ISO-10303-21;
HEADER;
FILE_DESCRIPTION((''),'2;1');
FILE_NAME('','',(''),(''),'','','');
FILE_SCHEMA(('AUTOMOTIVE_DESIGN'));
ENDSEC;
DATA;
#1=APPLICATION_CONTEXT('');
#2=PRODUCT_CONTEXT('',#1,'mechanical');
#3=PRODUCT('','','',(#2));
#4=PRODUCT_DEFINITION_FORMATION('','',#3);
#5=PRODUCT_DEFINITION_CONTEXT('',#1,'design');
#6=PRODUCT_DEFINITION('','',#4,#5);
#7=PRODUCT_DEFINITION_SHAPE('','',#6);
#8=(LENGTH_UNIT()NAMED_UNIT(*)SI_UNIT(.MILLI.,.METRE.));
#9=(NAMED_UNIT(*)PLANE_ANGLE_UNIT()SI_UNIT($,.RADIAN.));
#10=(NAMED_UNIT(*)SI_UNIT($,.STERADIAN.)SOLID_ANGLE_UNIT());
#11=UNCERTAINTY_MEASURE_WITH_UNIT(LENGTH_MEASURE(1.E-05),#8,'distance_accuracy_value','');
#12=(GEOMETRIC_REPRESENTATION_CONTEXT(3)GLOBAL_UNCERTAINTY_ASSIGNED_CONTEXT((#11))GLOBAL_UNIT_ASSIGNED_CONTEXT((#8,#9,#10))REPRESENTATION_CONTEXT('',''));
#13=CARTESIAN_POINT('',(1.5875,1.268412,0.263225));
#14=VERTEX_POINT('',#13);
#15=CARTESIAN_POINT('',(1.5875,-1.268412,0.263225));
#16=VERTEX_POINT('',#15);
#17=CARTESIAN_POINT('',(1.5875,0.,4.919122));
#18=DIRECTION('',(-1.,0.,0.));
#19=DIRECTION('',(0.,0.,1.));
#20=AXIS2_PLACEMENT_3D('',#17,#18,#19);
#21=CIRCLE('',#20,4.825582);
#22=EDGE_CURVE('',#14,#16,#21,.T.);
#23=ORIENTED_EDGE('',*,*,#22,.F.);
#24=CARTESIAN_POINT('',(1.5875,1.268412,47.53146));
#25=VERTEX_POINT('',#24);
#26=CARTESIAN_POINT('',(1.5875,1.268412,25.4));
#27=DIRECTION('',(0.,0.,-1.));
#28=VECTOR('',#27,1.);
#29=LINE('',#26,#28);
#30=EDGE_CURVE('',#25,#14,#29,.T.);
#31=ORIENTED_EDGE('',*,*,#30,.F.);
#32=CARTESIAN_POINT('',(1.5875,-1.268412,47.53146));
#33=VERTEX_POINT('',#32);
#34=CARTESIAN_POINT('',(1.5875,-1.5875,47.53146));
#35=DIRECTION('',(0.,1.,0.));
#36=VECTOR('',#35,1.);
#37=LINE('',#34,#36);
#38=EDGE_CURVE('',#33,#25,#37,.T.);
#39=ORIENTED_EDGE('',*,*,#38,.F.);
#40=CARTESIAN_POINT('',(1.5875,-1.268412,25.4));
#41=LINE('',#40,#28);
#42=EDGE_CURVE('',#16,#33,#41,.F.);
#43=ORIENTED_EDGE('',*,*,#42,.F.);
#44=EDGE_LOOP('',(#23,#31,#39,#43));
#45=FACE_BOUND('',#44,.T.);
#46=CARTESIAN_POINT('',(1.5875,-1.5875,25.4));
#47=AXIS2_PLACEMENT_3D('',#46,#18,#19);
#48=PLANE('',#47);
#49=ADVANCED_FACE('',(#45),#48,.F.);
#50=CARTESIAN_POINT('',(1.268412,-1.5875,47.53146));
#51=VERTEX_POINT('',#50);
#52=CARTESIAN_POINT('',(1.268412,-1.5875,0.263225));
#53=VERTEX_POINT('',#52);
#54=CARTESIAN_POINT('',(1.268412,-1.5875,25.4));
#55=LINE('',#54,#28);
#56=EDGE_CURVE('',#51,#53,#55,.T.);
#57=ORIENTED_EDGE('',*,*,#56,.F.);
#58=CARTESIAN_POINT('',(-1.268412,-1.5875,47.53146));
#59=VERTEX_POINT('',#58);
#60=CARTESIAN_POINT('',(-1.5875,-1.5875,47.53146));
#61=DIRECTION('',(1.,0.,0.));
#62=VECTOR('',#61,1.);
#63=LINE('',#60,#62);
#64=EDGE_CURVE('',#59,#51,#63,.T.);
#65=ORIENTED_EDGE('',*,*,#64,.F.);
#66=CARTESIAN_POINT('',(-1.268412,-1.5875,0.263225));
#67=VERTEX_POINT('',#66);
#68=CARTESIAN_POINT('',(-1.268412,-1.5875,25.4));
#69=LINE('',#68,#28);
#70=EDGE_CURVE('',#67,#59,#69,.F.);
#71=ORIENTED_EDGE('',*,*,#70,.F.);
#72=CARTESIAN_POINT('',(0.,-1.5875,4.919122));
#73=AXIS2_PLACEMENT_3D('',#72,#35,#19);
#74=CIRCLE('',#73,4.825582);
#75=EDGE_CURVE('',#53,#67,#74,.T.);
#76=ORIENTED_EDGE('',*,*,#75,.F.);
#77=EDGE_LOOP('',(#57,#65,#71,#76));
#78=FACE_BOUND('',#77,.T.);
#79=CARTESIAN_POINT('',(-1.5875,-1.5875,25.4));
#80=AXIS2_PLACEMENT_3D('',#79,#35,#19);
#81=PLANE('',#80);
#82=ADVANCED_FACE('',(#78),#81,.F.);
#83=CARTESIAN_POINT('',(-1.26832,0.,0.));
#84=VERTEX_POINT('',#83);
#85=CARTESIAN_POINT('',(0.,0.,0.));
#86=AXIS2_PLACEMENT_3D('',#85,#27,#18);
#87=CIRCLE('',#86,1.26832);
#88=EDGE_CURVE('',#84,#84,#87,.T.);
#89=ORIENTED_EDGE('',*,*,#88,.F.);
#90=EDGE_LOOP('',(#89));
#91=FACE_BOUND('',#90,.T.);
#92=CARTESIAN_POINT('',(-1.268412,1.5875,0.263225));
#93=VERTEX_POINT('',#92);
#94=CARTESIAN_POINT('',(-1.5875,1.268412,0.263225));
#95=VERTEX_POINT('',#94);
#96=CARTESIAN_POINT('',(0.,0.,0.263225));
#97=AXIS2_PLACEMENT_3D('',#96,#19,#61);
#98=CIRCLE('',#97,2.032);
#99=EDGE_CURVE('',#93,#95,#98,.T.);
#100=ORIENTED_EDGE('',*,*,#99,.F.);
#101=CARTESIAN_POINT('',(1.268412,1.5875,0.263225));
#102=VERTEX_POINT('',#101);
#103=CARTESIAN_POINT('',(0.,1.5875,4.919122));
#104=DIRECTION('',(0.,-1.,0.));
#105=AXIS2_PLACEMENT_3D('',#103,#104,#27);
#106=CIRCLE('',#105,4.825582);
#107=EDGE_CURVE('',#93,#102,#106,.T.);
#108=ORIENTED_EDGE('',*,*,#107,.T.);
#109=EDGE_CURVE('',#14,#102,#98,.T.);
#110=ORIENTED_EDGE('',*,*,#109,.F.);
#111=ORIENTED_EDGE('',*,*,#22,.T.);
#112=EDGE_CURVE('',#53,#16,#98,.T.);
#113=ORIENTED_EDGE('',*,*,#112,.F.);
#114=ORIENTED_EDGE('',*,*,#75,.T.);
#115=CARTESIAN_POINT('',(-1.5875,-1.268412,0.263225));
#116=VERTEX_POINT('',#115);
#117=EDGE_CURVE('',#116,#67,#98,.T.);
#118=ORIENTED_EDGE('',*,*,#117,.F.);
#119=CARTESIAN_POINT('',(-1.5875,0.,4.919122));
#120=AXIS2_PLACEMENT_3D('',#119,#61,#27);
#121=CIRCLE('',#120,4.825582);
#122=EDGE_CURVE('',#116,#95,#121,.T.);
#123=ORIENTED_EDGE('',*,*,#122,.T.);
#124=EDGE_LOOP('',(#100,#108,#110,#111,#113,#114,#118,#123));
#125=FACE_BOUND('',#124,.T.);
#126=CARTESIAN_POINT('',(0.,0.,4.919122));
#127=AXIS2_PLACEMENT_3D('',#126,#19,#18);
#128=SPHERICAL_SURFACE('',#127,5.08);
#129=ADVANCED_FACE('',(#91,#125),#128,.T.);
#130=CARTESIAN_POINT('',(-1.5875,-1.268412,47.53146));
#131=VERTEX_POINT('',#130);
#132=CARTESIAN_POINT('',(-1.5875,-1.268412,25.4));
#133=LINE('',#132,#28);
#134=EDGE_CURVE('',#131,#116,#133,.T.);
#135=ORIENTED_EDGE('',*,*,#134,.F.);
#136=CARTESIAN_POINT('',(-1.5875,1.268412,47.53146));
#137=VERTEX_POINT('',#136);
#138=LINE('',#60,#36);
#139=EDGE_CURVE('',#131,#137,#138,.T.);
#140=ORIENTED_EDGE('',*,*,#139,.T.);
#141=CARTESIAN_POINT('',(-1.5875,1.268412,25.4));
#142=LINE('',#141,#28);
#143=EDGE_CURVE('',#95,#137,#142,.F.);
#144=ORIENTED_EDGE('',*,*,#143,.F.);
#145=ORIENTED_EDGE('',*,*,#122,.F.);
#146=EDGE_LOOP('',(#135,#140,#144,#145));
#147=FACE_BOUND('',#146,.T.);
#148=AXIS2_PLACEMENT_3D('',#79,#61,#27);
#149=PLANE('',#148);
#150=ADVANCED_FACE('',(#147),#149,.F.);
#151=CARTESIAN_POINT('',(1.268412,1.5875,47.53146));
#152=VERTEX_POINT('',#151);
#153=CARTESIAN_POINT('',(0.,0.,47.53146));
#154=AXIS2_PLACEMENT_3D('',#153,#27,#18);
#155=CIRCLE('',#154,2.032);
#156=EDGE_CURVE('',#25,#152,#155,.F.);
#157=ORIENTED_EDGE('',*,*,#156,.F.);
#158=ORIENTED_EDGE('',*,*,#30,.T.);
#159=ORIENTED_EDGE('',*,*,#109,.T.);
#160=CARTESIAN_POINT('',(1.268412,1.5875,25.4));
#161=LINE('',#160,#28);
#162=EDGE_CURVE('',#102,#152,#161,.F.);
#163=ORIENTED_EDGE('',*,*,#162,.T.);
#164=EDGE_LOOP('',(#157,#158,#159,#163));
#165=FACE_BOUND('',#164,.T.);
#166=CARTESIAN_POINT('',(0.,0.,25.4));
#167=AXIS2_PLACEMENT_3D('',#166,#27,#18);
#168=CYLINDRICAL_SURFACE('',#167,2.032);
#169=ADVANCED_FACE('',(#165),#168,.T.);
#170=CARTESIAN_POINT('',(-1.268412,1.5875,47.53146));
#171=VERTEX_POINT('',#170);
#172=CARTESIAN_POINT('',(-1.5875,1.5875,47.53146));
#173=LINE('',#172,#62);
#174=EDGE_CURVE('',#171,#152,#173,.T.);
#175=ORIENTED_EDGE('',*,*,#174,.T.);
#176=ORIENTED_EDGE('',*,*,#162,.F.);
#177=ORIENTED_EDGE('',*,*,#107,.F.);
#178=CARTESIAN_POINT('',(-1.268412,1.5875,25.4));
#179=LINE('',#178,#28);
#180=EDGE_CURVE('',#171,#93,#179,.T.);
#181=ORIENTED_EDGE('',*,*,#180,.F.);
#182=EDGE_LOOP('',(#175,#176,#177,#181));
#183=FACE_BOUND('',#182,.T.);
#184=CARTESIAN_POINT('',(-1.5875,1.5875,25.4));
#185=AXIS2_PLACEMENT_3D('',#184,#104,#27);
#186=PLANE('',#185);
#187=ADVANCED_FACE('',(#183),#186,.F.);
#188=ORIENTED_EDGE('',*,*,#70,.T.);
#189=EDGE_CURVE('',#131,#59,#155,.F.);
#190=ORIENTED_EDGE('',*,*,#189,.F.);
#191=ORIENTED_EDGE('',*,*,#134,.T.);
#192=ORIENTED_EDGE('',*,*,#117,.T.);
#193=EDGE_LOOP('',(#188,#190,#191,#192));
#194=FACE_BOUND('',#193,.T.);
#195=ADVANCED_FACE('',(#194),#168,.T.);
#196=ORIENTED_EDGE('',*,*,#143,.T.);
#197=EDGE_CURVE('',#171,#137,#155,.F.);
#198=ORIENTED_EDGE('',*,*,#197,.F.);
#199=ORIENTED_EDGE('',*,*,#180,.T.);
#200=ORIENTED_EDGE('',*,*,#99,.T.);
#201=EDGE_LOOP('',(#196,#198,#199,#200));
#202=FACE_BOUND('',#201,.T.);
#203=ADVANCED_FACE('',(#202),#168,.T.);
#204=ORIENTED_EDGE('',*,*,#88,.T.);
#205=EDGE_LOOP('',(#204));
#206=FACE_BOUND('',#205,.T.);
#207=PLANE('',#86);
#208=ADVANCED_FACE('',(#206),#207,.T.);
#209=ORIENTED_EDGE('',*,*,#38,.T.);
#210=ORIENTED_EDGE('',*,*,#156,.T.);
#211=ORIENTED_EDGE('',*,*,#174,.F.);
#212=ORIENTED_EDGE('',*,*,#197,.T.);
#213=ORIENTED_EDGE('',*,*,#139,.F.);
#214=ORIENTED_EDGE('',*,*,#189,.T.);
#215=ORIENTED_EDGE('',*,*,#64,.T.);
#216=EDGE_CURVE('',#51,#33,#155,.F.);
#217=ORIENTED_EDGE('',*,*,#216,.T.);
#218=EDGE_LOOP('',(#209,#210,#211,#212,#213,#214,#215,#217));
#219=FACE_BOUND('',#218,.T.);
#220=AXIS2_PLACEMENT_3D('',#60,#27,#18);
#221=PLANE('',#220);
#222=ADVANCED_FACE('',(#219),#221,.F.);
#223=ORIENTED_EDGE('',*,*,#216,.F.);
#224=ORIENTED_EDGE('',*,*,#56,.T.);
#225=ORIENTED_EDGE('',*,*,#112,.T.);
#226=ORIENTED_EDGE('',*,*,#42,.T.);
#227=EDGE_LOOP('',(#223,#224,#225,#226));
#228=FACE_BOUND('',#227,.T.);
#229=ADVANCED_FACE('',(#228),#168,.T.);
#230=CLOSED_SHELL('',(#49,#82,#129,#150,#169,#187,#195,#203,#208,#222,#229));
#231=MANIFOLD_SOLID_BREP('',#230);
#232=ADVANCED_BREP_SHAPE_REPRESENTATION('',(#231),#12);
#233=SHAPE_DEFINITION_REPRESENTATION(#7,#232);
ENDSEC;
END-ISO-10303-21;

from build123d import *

# Parameters (mm, degrees)
SKETCH1_W           = 3.175
SKETCH1_H           = 3.175
BOSS_EXTRUDE1_DEPTH = 25.4
SKETCH2_OUTSIDE_W   = 10.334
SKETCH2_OUTSIDE_H   = 10.334
SKETCH2_OUTSIDE_R   = 2.032
CUT_EXTRUDE1_DEPTH  = 26.4
CUT_EXTRUDE3_DEPTH  = 4.175


with BuildPart() as part:
    # Sketch1 → Boss-Extrude1 (new body)
    with BuildSketch(Plane.XY):
        Rectangle(SKETCH1_W, SKETCH1_H)
    extrude(amount=BOSS_EXTRUDE1_DEPTH)

    # Sketch2 outside → Cut-Extrude1 (cut, through all)
    with BuildSketch(Plane(origin=(0, 0, 0), x_dir=(-1, 0, 0), z_dir=(0, 0, -1))):
        Rectangle(SKETCH2_OUTSIDE_W, SKETCH2_OUTSIDE_H)
        Circle(SKETCH2_OUTSIDE_R, mode=Mode.SUBTRACT)
    extrude(amount=-CUT_EXTRUDE1_DEPTH, mode=Mode.SUBTRACT)

    # Sketch3 → Cut-Revolve1 (revolve, cut)
    with BuildSketch(Plane(origin=(0, 0, 0), x_dir=(1, 0, 0), z_dir=(0, 1, 0))):
        with BuildLine():
            Line((-5.053685963, -4.40273269), (-5.053685963, 5.740530545))
            Line((-5.053685963, 5.740530545), (0, 5.740530545))
            Line((0, 5.740530545), (0, 0.160877736))
            ThreePointArc((0, 0.160877736), (-3.404639553, -1.148866368), (-5.053685963, -4.40273269))
        make_face()
    revolve(axis=Axis((0, 0, 25.4), (0, 0, -1)), mode=Mode.SUBTRACT)

    # Mirror1: part across plane


with BuildPart() as part_1:
    add(part.part)
    add(part.part.mirror(Plane(origin=(0, 0, 25.4), x_dir=(1, 0, 0), z_dir=(0, 0, -1))))

    # Sketch5 → Cut-Extrude3 (cut, through all)
    with BuildSketch(Plane(origin=(1.5875, 0, 0), x_dir=(0, 0, -1), z_dir=(1, 0, 0))):
        Polygon((-50.706459955, -1.5875), (-47.531459955, -1.5875), (-47.531459955, 1.5875), (-50.706459955, 1.5875), (-51.039784271, 1.5875), (-51.039784271, -1.5875), align=None)
    extrude(amount=-CUT_EXTRUDE3_DEPTH, mode=Mode.SUBTRACT)


solid = part_1.part
